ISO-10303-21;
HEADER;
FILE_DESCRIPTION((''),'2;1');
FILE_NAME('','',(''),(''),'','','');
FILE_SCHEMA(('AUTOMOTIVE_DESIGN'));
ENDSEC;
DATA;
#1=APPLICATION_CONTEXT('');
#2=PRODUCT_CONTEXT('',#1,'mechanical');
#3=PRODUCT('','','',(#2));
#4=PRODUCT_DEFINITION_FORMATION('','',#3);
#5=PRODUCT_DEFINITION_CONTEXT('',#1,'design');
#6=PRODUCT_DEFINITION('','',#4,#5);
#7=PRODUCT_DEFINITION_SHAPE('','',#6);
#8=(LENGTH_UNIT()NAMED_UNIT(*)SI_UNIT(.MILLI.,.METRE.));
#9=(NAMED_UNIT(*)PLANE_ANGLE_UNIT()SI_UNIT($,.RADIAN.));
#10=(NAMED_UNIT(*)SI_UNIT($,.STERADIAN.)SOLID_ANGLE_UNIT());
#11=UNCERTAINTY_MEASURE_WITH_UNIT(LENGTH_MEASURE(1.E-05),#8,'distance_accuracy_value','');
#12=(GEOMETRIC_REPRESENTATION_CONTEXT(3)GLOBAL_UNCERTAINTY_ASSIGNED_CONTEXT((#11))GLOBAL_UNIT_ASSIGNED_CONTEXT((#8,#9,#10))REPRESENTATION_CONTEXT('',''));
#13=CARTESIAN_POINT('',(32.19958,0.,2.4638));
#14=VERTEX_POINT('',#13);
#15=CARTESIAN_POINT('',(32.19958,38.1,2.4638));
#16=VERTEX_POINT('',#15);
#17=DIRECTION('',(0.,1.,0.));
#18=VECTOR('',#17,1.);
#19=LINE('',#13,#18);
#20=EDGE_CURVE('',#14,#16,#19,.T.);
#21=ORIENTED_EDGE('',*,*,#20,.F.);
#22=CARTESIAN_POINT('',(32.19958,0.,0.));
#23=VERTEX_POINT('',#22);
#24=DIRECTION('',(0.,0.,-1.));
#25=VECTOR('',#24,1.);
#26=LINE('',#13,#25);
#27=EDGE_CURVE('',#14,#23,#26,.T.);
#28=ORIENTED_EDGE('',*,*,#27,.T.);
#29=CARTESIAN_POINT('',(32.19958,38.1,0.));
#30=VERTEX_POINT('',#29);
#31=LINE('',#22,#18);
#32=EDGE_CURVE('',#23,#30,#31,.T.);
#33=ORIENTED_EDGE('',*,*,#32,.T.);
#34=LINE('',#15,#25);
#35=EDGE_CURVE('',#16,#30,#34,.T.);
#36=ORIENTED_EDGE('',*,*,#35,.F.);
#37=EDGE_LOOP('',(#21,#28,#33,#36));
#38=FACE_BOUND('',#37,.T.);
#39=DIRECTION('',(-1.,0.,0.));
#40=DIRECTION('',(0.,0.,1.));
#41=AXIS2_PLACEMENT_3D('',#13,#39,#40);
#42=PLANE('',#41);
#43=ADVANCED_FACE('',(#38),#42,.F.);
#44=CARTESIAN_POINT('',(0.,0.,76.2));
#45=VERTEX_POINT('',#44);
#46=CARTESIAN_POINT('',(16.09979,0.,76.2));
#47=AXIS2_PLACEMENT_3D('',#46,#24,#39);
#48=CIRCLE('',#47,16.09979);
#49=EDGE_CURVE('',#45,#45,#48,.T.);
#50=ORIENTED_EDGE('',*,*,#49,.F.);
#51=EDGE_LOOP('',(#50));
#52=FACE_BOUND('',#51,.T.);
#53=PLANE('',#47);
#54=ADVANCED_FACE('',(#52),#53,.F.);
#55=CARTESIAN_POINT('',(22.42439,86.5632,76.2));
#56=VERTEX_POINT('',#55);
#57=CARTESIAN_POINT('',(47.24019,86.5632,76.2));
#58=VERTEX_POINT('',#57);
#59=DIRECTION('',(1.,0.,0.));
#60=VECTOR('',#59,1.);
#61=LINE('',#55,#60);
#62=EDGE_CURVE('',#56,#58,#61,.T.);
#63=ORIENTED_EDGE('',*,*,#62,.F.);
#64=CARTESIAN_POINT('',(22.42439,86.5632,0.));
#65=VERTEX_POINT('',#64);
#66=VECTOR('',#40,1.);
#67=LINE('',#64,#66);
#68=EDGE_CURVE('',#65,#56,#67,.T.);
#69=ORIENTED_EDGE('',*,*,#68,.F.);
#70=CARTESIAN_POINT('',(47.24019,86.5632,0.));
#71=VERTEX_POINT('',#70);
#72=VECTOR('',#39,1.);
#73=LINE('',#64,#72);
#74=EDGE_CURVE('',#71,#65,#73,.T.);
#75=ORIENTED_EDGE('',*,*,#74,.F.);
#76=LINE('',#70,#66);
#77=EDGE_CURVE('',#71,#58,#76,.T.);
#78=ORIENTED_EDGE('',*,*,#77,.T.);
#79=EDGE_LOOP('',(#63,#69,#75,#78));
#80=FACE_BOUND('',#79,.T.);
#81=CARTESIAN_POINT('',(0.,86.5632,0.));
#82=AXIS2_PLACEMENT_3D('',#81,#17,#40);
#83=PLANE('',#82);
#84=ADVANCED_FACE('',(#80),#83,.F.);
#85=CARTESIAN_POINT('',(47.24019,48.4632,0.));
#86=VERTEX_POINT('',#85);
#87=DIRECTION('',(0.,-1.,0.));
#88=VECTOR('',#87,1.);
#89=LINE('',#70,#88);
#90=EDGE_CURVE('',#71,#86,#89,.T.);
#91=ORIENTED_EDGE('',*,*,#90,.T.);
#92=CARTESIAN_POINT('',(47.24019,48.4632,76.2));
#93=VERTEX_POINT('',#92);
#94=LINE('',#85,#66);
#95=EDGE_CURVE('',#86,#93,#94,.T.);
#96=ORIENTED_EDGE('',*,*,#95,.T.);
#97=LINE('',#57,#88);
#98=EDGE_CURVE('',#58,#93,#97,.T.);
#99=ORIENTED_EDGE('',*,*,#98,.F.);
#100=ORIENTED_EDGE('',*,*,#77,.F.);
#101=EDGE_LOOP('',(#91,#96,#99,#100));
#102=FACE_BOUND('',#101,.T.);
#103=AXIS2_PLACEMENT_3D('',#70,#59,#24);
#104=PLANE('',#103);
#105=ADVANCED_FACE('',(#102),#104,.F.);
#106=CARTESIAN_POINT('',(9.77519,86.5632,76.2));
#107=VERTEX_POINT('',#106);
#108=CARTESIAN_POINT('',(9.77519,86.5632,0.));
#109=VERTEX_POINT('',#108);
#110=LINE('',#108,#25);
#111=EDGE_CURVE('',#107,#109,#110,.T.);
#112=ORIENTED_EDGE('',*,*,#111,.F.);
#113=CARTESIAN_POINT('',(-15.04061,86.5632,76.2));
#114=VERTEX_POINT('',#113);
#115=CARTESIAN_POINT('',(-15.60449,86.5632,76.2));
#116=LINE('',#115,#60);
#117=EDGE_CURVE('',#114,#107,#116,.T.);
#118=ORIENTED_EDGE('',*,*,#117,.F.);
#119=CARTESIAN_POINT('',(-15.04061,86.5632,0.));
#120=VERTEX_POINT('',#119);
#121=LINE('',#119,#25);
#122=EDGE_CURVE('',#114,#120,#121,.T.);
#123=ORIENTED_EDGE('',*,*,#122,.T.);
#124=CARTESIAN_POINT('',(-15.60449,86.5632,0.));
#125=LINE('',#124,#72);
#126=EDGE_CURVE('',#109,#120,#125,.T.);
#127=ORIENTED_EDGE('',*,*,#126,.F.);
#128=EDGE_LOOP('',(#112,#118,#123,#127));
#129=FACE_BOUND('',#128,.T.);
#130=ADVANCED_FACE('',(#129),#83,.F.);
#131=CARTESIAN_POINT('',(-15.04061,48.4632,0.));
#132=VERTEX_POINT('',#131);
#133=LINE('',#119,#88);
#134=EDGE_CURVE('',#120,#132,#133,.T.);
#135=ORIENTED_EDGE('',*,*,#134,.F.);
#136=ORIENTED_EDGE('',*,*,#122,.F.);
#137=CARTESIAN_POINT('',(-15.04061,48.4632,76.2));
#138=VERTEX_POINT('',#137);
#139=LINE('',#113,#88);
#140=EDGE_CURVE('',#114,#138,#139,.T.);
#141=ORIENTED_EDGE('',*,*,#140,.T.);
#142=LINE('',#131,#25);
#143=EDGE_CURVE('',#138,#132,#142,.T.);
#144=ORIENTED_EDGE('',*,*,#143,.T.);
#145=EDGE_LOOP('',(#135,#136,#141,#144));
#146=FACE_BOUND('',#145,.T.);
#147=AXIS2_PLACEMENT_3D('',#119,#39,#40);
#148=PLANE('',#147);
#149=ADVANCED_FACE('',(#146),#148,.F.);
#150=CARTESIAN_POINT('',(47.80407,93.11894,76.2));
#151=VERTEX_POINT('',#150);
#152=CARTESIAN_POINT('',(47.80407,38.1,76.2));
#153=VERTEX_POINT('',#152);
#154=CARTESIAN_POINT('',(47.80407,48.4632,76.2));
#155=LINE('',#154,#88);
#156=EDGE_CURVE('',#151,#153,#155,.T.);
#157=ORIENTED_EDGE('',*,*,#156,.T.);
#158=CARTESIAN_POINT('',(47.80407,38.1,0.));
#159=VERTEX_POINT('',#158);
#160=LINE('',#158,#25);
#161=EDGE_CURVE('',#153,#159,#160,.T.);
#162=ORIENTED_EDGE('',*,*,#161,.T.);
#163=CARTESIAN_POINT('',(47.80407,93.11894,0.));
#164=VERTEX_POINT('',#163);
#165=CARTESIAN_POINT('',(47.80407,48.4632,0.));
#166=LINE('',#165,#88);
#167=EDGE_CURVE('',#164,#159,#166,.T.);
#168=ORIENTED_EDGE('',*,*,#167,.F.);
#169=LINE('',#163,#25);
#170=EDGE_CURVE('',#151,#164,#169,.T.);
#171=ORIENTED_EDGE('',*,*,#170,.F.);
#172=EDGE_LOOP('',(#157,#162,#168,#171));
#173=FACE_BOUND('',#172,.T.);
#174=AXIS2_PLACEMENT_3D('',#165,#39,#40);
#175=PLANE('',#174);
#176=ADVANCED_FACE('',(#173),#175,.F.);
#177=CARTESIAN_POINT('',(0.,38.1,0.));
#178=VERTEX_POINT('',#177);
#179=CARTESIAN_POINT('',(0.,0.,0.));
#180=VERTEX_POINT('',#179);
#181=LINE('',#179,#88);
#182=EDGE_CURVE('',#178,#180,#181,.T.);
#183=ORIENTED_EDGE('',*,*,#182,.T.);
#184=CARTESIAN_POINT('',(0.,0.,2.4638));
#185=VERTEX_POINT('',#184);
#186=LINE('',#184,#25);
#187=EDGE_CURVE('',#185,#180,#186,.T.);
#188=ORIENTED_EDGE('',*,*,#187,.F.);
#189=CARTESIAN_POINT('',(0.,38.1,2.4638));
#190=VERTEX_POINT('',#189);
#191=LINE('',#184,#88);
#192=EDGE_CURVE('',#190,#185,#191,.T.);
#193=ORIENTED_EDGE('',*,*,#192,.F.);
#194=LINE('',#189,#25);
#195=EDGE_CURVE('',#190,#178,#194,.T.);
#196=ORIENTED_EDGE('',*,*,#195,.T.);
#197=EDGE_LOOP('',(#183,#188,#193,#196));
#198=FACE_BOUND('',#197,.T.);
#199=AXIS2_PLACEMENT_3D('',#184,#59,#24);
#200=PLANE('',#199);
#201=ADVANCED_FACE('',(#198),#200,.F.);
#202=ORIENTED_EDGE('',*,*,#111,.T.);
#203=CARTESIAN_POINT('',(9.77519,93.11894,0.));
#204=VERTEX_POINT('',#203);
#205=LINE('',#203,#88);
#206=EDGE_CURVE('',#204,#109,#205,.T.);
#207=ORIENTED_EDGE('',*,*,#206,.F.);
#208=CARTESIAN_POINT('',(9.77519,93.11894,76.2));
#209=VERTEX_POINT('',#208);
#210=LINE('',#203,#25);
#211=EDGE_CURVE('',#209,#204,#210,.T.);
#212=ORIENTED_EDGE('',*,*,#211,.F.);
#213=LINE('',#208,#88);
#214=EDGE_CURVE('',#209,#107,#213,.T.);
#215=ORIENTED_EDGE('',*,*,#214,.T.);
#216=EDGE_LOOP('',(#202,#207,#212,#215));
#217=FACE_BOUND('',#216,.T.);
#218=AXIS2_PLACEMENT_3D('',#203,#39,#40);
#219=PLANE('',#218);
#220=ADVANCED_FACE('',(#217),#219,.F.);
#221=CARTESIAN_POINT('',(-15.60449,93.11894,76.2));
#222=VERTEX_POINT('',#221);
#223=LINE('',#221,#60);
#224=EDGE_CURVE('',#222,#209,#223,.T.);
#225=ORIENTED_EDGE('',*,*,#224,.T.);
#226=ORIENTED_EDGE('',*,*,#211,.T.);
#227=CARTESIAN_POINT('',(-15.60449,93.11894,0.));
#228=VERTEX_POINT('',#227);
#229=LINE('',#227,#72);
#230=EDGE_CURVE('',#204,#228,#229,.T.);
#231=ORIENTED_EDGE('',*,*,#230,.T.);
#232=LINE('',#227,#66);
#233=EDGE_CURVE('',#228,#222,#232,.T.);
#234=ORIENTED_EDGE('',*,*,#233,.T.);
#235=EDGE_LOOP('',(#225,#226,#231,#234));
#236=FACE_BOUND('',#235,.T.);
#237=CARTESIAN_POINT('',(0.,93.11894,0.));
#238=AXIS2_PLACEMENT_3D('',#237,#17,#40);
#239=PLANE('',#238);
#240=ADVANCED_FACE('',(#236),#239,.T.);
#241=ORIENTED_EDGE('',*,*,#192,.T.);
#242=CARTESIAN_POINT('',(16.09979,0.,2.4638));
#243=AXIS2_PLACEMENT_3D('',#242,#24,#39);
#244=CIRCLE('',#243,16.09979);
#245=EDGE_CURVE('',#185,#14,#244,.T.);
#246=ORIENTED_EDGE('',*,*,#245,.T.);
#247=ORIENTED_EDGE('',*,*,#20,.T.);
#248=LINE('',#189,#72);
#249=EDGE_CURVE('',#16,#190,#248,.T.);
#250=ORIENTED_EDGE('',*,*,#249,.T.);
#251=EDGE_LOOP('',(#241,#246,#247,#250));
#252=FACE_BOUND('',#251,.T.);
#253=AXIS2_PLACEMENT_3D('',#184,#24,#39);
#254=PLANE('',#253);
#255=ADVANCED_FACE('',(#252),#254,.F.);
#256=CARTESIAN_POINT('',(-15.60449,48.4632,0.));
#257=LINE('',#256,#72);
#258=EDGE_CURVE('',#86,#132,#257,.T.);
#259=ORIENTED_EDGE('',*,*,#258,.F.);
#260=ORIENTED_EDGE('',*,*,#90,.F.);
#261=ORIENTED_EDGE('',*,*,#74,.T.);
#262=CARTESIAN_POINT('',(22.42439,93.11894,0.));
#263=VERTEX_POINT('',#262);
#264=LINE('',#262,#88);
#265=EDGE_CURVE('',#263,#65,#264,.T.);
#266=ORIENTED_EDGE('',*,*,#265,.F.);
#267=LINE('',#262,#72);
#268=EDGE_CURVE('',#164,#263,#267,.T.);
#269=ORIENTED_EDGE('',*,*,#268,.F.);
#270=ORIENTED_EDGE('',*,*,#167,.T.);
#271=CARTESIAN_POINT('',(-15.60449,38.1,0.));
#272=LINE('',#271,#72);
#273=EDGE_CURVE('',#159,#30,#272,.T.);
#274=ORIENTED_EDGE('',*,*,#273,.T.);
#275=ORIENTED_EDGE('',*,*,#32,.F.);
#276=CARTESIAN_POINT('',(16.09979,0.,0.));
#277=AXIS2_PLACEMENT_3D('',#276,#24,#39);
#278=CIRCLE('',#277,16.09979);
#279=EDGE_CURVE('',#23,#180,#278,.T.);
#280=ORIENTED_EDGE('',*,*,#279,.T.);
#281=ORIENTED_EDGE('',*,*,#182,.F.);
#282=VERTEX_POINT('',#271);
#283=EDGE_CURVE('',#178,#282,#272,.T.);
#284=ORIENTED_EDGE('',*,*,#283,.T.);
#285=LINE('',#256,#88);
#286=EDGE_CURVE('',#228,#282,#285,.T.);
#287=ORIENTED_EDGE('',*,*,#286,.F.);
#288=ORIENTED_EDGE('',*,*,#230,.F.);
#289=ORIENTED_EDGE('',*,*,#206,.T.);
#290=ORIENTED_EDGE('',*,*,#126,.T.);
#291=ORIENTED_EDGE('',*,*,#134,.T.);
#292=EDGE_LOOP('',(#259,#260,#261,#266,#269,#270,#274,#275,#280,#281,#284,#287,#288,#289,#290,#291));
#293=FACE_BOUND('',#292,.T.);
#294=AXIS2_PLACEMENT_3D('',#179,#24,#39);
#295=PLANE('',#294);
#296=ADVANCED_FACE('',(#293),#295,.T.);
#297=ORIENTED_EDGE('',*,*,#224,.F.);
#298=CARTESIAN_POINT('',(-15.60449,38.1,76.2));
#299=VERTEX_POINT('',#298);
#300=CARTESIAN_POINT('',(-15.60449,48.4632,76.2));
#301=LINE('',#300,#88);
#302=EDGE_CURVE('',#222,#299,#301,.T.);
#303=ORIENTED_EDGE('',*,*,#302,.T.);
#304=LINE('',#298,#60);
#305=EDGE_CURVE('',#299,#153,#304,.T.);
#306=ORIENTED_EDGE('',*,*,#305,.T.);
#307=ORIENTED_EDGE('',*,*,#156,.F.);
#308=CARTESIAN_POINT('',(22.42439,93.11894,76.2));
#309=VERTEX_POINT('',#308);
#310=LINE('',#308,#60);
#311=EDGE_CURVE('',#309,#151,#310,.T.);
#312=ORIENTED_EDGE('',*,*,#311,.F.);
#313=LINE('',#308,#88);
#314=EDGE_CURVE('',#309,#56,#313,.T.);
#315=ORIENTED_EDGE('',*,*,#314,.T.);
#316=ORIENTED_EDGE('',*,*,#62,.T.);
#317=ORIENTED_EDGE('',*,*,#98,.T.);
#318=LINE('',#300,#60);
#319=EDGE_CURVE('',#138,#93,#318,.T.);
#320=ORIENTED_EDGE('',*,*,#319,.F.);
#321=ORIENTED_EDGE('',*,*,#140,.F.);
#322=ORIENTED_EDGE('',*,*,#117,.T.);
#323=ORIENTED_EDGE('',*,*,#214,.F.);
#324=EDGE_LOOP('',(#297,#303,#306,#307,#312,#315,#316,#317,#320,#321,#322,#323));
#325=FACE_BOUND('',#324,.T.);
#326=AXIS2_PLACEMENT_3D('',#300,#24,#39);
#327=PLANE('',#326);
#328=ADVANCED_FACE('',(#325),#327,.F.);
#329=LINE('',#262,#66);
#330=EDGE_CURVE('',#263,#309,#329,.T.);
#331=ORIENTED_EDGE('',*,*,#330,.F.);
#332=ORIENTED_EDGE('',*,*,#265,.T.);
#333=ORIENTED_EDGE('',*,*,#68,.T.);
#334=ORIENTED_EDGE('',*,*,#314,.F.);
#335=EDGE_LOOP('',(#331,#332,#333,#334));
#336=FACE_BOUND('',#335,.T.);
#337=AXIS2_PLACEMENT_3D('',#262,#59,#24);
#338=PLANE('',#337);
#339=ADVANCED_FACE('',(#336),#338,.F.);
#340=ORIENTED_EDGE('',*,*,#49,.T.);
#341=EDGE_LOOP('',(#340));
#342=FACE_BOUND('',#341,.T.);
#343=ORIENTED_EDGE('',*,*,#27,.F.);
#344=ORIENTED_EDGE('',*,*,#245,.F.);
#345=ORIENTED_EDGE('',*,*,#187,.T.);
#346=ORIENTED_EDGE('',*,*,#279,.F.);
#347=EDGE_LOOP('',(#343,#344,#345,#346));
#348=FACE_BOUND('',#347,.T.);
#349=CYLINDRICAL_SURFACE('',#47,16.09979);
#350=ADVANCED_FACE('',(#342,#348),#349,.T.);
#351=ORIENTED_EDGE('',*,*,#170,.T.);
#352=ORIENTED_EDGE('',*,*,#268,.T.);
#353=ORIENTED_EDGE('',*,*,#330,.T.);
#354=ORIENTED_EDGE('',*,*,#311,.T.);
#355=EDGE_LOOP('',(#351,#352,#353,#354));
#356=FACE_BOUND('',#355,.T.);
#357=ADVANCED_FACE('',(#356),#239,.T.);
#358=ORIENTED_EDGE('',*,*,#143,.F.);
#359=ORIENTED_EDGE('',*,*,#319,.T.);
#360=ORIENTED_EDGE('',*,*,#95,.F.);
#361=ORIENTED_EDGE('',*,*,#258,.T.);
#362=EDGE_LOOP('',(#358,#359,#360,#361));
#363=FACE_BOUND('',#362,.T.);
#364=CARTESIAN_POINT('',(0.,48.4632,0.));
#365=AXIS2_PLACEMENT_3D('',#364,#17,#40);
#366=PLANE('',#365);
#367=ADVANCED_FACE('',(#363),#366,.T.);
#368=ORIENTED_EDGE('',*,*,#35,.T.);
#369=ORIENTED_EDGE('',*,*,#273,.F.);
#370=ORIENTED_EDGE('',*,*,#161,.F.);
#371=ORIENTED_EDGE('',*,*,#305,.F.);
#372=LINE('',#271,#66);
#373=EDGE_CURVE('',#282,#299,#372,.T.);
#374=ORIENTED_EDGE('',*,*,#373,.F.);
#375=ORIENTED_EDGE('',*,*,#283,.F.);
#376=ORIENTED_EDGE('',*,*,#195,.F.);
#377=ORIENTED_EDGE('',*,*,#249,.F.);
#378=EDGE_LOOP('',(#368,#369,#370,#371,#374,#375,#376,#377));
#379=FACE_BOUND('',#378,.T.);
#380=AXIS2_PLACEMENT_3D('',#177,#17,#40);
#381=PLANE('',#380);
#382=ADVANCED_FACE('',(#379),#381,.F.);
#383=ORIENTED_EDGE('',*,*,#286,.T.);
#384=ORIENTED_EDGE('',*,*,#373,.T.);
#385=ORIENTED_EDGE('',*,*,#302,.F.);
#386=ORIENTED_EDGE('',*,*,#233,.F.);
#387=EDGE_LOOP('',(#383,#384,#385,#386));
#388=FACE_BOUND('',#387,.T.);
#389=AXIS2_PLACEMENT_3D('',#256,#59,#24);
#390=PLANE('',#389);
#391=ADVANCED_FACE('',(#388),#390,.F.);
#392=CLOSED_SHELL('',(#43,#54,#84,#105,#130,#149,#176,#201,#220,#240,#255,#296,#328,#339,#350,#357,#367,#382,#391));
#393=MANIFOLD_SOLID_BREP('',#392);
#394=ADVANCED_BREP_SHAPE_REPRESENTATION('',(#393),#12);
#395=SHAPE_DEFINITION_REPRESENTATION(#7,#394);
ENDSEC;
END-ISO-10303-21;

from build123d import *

# Parameters (mm, degrees)
SKETCH2_W            = 32.19958
SKETCH2_H            = 38.1
BOSS_EXTRUDE3_DEPTH  = 2.4638
SKETCH4_R            = 16.09979
BOSS_EXTRUDE4_DEPTH  = 76.2
SKETCH5_W            = 63.40856
SKETCH5_H            = 76.2
BOSS_EXTRUDE5_DEPTH  = 10.3632
SKETCH6_W            = 0.56388
SKETCH6_H            = 76.2
BOSS_EXTRUDE6_DEPTH  = 38.1
SKETCH8_W            = 0.56388
SKETCH8_H            = 76.2
BOSS_EXTRUDE7_DEPTH  = 38.1
SKETCH10_W           = 25.37968
SKETCH10_H           = 76.2
BOSS_EXTRUDE8_DEPTH  = 6.55574
SKETCH12_W           = 25.37968
SKETCH12_H           = 76.2
BOSS_EXTRUDE10_DEPTH = 6.55574


with BuildPart() as part:
    # Sketch2 → Boss-Extrude3 (new body)
    with BuildSketch(Plane.XY):
        with Locations((16.09979, 19.05)):
            Rectangle(SKETCH2_W, SKETCH2_H)
    extrude(amount=BOSS_EXTRUDE3_DEPTH)

    # Sketch4 → Boss-Extrude4 (add)
    with BuildSketch(Plane(origin=(0, 0, 0), x_dir=(-1, 0, 0), z_dir=(0, 0, -1))):
        with Locations((-16.09979, 0)):
            Circle(SKETCH4_R)
    extrude(amount=-BOSS_EXTRUDE4_DEPTH)

    # Sketch5 → Boss-Extrude5 (add)
    with BuildSketch(Plane(origin=(0, 38.1, 0), x_dir=(1, 0, 0), z_dir=(0, 1, 0))):
        with Locations((16.09979, -38.1)):
            Rectangle(SKETCH5_W, SKETCH5_H)
    extrude(amount=BOSS_EXTRUDE5_DEPTH)

    # Sketch6 → Boss-Extrude6 (add)
    with BuildSketch(Plane(origin=(0, 48.4632, 0), x_dir=(1, 0, 0), z_dir=(0, 1, 0))):
        with Locations((47.52213, -38.1)):
            Rectangle(SKETCH6_W, SKETCH6_H)
    extrude(amount=BOSS_EXTRUDE6_DEPTH)

    # Sketch8 → Boss-Extrude7 (add)
    with BuildSketch(Plane(origin=(0, 48.4632, 0), x_dir=(1, 0, 0), z_dir=(0, 1, 0))):
        with Locations((-15.32255, -38.1)):
            Rectangle(SKETCH8_W, SKETCH8_H)
    extrude(amount=BOSS_EXTRUDE7_DEPTH)

    # Sketch10 → Boss-Extrude8 (add)
    with BuildSketch(Plane(origin=(0, 86.5632, 0), x_dir=(1, 0, 0), z_dir=(0, 1, 0))):
        with Locations((-2.91465, -38.1)):
            Rectangle(SKETCH10_W, SKETCH10_H)
    extrude(amount=BOSS_EXTRUDE8_DEPTH)

    # Sketch12 → Boss-Extrude10 (add)
    with BuildSketch(Plane(origin=(0, 86.5632, 0), x_dir=(1, 0, 0), z_dir=(0, 1, 0))):
        with Locations((35.11423, -38.1)):
            Rectangle(SKETCH12_W, SKETCH12_H)
    extrude(amount=BOSS_EXTRUDE10_DEPTH)


solid = part.part
